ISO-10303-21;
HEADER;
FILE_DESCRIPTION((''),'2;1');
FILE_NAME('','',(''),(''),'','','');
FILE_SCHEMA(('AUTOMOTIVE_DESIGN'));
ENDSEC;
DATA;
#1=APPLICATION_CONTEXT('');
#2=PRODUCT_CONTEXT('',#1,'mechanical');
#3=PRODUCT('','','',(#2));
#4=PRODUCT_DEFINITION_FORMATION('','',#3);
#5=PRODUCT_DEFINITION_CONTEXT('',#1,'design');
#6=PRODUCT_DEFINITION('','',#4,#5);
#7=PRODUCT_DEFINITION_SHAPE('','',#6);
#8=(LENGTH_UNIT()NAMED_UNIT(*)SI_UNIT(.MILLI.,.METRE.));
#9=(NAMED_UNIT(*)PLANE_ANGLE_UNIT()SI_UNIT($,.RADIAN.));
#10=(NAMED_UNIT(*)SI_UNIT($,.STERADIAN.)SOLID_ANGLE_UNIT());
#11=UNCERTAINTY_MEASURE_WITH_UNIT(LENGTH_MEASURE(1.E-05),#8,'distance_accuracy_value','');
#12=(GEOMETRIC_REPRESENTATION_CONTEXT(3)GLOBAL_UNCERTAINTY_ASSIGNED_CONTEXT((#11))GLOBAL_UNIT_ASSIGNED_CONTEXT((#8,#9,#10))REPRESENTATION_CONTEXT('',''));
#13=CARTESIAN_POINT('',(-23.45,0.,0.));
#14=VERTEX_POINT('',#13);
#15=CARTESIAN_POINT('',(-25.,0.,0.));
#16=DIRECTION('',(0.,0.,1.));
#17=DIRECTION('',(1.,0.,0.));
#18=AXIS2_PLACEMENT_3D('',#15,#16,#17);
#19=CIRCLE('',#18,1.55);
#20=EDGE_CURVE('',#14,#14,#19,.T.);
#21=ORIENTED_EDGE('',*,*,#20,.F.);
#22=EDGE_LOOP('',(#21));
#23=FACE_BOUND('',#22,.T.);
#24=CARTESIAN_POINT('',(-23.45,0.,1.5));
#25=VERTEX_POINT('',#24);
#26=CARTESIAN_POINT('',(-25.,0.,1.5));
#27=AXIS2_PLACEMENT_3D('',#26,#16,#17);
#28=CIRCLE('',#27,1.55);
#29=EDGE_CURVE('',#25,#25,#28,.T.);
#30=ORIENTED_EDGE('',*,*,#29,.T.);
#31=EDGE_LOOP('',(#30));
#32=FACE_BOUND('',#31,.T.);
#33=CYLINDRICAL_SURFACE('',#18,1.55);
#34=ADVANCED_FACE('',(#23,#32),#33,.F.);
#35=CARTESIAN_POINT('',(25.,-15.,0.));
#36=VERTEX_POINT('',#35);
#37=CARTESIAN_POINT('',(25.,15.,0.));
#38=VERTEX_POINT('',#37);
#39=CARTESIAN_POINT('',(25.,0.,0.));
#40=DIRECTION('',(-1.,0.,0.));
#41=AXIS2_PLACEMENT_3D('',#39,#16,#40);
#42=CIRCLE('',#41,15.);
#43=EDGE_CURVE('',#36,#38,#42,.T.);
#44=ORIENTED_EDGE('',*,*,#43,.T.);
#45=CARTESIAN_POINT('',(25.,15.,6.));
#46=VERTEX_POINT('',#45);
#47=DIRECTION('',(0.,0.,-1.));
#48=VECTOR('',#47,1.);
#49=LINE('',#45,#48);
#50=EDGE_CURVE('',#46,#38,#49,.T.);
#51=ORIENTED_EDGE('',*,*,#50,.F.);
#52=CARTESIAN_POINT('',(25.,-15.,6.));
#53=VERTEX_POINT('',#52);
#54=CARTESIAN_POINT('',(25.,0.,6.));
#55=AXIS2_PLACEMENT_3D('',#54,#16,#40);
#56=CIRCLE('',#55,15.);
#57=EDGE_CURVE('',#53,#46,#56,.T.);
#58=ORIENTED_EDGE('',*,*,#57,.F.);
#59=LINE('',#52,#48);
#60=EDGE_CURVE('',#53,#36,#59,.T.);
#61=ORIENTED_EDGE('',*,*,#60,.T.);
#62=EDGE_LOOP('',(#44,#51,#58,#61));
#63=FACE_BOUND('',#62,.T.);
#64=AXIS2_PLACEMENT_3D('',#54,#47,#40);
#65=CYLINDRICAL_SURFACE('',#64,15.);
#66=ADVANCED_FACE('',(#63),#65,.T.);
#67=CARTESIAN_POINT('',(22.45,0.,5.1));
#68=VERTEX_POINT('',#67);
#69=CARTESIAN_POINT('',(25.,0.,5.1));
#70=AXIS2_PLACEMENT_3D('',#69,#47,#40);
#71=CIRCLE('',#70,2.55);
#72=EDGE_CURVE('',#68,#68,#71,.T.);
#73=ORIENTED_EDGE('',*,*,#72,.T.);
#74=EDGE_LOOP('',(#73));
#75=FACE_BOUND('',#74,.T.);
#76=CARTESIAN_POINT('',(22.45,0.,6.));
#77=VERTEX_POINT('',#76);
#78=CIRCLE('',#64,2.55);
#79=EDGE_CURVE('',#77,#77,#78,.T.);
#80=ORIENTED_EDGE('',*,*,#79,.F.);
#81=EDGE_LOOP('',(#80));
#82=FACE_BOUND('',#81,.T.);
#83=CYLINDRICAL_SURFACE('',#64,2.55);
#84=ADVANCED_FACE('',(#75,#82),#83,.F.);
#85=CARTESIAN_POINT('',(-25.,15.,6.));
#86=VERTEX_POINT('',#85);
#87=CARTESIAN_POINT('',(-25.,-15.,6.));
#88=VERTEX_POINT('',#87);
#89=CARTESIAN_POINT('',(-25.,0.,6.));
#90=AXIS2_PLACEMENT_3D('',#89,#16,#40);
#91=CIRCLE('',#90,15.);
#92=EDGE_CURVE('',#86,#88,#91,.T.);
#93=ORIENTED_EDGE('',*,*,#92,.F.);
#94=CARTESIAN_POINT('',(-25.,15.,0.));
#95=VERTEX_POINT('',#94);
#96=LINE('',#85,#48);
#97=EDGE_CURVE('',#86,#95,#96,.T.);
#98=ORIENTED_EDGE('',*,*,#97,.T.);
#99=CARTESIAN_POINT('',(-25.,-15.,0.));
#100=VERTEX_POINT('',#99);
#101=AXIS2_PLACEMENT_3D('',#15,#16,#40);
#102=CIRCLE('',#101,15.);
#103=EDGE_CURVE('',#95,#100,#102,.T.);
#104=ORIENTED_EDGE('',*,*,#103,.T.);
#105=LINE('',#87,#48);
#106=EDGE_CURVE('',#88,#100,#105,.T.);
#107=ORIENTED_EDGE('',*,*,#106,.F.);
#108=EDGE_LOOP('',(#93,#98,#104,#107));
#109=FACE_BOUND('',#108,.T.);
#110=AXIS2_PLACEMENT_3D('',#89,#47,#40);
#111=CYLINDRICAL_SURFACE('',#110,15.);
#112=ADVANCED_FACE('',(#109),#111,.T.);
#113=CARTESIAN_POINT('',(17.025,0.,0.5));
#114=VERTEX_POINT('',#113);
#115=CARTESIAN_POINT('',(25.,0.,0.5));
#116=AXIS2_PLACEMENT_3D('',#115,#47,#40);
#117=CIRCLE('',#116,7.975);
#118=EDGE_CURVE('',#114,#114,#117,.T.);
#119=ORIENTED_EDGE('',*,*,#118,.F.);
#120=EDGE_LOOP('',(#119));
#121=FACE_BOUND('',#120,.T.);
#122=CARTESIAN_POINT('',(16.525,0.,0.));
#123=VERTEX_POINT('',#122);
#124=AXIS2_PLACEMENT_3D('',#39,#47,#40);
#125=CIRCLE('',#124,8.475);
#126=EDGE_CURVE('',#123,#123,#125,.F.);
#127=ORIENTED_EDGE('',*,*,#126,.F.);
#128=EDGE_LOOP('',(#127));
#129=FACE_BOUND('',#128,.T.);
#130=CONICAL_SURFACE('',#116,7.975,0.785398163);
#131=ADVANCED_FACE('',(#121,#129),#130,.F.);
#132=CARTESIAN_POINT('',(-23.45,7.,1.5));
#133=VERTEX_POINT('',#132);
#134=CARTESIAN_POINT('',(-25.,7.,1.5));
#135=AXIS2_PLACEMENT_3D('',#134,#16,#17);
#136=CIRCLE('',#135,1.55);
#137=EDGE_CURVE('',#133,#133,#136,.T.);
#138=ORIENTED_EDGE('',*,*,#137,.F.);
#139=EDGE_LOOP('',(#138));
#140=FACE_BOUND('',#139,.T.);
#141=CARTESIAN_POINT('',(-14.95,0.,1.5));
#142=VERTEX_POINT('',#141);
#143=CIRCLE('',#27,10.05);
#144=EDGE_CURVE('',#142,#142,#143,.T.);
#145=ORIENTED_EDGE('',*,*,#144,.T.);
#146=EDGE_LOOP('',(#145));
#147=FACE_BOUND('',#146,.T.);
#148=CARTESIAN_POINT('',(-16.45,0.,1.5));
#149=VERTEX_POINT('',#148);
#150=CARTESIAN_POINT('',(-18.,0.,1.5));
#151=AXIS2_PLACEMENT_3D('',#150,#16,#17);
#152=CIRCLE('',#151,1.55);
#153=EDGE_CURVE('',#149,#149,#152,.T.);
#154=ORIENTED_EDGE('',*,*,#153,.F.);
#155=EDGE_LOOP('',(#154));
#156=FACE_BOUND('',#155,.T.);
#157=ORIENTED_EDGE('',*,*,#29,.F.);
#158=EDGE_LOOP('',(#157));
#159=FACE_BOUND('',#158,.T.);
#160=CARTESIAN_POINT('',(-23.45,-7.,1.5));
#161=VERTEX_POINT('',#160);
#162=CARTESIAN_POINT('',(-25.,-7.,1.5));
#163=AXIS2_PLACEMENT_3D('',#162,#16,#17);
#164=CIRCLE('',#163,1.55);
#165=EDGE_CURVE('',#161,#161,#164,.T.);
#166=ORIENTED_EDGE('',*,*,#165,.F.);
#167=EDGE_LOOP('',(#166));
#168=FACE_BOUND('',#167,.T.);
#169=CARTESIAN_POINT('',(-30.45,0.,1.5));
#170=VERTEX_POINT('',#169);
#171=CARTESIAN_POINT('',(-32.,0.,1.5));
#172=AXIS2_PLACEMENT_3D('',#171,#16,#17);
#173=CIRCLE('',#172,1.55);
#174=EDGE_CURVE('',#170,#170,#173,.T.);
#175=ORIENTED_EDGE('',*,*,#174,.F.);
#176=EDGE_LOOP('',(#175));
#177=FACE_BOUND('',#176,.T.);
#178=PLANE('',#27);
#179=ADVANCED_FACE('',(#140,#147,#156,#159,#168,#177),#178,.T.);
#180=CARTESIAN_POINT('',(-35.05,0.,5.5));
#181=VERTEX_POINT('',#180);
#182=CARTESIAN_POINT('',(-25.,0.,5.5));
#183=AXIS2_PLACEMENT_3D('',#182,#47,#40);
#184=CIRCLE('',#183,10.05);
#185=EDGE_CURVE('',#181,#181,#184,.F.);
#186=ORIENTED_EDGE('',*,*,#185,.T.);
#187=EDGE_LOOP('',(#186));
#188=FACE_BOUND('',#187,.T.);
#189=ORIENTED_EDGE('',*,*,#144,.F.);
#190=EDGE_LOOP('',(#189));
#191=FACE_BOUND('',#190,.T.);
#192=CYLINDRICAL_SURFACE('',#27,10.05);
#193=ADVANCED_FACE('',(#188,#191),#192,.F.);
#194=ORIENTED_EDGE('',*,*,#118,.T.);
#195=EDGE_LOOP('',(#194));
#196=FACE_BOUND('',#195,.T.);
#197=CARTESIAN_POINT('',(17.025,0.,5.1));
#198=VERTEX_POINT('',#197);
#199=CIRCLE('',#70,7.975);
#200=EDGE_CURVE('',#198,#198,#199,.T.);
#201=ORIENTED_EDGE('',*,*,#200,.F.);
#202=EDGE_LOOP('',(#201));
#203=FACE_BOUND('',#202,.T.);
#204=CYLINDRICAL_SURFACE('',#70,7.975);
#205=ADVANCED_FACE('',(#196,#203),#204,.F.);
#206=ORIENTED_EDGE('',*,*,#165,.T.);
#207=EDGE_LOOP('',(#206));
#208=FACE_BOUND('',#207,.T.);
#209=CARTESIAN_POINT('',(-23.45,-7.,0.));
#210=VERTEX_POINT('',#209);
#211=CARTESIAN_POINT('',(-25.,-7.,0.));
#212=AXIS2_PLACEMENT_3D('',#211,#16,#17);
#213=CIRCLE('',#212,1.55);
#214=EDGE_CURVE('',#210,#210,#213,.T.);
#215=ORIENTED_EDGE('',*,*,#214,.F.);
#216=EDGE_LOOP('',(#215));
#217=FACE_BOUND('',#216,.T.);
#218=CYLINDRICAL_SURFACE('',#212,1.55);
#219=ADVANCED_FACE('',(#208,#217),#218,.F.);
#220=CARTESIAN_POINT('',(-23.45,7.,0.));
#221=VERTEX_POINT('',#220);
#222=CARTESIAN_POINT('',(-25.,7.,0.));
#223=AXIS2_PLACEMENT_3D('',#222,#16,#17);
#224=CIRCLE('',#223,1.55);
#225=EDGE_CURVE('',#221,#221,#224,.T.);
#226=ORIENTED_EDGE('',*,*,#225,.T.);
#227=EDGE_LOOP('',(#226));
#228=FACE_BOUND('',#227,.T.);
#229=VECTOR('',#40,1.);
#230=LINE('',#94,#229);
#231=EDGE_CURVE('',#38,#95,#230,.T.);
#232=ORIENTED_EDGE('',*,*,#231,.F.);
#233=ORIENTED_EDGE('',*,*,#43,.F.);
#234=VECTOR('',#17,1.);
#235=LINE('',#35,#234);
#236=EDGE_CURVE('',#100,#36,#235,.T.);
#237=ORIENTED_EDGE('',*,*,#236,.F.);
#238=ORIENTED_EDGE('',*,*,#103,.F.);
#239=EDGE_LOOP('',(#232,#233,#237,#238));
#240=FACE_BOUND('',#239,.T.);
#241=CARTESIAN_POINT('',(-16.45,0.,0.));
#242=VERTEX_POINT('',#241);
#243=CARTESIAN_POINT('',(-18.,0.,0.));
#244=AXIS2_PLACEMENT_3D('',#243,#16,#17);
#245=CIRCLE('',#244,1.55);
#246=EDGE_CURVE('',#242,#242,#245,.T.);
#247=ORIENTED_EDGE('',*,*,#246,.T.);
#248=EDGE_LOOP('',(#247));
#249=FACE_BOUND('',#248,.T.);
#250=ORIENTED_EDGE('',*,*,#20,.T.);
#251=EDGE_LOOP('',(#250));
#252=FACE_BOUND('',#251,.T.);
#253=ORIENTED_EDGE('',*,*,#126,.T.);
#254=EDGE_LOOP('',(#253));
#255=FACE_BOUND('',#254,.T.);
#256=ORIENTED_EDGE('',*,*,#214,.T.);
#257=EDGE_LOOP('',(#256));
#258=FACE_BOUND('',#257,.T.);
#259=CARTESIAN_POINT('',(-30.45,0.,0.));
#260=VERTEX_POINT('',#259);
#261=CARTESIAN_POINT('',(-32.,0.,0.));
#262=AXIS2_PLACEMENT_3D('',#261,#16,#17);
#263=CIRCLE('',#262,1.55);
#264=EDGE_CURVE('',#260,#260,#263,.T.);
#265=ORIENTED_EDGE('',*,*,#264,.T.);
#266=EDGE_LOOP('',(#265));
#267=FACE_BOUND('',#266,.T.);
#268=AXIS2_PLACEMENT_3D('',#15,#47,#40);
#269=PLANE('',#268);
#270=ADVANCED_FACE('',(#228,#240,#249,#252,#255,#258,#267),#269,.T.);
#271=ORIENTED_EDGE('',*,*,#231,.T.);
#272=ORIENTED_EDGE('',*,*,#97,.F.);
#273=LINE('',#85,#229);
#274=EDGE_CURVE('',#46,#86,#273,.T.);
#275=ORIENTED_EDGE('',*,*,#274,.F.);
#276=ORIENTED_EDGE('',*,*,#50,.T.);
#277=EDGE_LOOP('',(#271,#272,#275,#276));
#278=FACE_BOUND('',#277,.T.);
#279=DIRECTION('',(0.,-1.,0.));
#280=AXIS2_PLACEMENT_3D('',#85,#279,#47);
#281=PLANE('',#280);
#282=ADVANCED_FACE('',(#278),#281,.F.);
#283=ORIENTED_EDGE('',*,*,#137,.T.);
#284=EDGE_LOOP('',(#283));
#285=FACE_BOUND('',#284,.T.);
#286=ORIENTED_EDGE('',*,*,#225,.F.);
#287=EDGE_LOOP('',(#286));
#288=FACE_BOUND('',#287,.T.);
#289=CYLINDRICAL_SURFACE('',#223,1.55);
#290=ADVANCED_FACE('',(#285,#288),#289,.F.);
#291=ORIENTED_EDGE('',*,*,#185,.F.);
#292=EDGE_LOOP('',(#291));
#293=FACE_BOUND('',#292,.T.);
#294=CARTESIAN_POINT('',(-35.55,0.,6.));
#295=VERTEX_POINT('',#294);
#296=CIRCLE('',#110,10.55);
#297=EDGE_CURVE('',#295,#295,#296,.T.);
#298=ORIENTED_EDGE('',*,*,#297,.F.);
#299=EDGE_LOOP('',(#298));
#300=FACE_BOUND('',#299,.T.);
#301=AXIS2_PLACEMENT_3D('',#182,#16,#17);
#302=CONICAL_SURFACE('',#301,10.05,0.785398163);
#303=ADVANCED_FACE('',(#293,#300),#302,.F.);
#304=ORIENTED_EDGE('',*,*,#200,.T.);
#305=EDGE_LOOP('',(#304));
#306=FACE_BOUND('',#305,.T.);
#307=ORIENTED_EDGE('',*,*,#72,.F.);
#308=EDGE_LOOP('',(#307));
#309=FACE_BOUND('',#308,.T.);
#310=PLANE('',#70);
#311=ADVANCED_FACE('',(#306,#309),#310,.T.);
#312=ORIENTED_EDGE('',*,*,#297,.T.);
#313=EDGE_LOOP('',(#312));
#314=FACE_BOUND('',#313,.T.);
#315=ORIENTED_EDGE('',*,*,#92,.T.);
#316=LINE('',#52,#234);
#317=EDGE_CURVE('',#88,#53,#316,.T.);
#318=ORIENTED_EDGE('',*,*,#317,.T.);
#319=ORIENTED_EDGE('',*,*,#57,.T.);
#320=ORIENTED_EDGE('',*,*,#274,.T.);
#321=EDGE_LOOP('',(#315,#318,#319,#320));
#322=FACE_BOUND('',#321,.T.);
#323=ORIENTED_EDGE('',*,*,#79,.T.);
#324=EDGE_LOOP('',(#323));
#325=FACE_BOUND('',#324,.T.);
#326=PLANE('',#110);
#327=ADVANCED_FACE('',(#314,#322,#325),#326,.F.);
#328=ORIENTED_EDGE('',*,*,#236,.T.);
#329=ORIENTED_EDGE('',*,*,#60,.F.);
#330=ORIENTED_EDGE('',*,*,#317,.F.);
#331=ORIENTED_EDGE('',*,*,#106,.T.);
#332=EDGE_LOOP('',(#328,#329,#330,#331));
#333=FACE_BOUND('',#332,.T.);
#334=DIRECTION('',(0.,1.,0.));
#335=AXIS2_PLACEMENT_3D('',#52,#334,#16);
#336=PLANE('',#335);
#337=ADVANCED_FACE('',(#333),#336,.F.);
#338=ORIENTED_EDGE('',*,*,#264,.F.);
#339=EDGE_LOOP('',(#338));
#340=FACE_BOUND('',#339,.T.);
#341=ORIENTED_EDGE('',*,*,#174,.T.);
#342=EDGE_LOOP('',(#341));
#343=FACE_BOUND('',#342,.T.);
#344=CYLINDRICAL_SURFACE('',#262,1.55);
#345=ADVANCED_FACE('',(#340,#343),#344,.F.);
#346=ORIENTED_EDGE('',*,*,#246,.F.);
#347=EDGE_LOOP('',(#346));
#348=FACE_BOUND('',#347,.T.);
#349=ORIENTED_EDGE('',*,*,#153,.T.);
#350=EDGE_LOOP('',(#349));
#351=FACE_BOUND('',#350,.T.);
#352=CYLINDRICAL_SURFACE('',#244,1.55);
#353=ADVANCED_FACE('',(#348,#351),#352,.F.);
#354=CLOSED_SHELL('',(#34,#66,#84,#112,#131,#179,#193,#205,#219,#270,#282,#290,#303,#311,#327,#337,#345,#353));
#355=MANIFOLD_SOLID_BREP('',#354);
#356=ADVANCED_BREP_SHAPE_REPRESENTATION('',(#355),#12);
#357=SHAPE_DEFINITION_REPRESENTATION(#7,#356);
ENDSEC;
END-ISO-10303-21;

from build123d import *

# Parameters (mm, degrees)
BOSS_EXTRUDE1_DEPTH = 6
SKETCH8_R           = 10.05
CUT_EXTRUDE4_DEPTH  = 4.5
SKETCH9_R           = 7.975
CUT_EXTRUDE5_DEPTH  = 5.1
SKETCH10_R          = 2.55
CUT_EXTRUDE6_DEPTH  = 1.9
SKETCH11_R          = 1.55
CUT_EXTRUDE7_DEPTH  = 2.5
CHAMFER1_SIZE       = 0.5


with BuildPart() as part:
    # Sketch4 → Boss-Extrude1 (new body)
    with BuildSketch(Plane.XY):
        with BuildLine():
            Line((-25, 15), (25, 15))
            ThreePointArc((25, 15), (40, 0), (25, -15))
            Line((25, -15), (-25, -15))
            ThreePointArc((-25, -15), (-40, 0), (-25, 15))
        make_face()
    extrude(amount=BOSS_EXTRUDE1_DEPTH)

    # Sketch8 → Cut-Extrude4 (cut)
    with BuildSketch(Plane.XY.offset(6)):
        with Locations((-25, 0)):
            Circle(SKETCH8_R)
    extrude(amount=-CUT_EXTRUDE4_DEPTH, mode=Mode.SUBTRACT)

    # Sketch9 → Cut-Extrude5 (cut)
    with BuildSketch(Plane(origin=(0, 0, 0), x_dir=(-1, 0, 0), z_dir=(0, 0, -1))):
        with Locations((-25, 0)):
            Circle(SKETCH9_R)
    extrude(amount=-CUT_EXTRUDE5_DEPTH, mode=Mode.SUBTRACT)

    # Sketch10 → Cut-Extrude6 (cut, through all)
    with BuildSketch(Plane(origin=(0, 0, 5.1), x_dir=(-1, 0, 0), z_dir=(0, 0, -1))):
        with Locations((-25, 0)):
            Circle(SKETCH10_R)
    extrude(amount=-CUT_EXTRUDE6_DEPTH, mode=Mode.SUBTRACT)

    # Sketch11 → Cut-Extrude7 (cut, through all)
    with BuildSketch(Plane.XY.offset(1.5)):
        with Locations((-25, 0)):
            Circle(SKETCH11_R)
        with Locations((-18, 0)):
            Circle(SKETCH11_R)
        with Locations((-32, 0)):
            Circle(SKETCH11_R)
        with Locations((-25, 7)):
            Circle(SKETCH11_R)
        with Locations((-25, -7)):
            Circle(SKETCH11_R)
    extrude(amount=-CUT_EXTRUDE7_DEPTH, mode=Mode.SUBTRACT)

    # Chamfer1
    chamfer1_edges = [part.edges().sort_by_distance(p)[0] for p in [
        (-35.05, 0, 6),
        (32.975, 0, 0),
    ]]
    chamfer(chamfer1_edges, length=CHAMFER1_SIZE)


solid = part.part
